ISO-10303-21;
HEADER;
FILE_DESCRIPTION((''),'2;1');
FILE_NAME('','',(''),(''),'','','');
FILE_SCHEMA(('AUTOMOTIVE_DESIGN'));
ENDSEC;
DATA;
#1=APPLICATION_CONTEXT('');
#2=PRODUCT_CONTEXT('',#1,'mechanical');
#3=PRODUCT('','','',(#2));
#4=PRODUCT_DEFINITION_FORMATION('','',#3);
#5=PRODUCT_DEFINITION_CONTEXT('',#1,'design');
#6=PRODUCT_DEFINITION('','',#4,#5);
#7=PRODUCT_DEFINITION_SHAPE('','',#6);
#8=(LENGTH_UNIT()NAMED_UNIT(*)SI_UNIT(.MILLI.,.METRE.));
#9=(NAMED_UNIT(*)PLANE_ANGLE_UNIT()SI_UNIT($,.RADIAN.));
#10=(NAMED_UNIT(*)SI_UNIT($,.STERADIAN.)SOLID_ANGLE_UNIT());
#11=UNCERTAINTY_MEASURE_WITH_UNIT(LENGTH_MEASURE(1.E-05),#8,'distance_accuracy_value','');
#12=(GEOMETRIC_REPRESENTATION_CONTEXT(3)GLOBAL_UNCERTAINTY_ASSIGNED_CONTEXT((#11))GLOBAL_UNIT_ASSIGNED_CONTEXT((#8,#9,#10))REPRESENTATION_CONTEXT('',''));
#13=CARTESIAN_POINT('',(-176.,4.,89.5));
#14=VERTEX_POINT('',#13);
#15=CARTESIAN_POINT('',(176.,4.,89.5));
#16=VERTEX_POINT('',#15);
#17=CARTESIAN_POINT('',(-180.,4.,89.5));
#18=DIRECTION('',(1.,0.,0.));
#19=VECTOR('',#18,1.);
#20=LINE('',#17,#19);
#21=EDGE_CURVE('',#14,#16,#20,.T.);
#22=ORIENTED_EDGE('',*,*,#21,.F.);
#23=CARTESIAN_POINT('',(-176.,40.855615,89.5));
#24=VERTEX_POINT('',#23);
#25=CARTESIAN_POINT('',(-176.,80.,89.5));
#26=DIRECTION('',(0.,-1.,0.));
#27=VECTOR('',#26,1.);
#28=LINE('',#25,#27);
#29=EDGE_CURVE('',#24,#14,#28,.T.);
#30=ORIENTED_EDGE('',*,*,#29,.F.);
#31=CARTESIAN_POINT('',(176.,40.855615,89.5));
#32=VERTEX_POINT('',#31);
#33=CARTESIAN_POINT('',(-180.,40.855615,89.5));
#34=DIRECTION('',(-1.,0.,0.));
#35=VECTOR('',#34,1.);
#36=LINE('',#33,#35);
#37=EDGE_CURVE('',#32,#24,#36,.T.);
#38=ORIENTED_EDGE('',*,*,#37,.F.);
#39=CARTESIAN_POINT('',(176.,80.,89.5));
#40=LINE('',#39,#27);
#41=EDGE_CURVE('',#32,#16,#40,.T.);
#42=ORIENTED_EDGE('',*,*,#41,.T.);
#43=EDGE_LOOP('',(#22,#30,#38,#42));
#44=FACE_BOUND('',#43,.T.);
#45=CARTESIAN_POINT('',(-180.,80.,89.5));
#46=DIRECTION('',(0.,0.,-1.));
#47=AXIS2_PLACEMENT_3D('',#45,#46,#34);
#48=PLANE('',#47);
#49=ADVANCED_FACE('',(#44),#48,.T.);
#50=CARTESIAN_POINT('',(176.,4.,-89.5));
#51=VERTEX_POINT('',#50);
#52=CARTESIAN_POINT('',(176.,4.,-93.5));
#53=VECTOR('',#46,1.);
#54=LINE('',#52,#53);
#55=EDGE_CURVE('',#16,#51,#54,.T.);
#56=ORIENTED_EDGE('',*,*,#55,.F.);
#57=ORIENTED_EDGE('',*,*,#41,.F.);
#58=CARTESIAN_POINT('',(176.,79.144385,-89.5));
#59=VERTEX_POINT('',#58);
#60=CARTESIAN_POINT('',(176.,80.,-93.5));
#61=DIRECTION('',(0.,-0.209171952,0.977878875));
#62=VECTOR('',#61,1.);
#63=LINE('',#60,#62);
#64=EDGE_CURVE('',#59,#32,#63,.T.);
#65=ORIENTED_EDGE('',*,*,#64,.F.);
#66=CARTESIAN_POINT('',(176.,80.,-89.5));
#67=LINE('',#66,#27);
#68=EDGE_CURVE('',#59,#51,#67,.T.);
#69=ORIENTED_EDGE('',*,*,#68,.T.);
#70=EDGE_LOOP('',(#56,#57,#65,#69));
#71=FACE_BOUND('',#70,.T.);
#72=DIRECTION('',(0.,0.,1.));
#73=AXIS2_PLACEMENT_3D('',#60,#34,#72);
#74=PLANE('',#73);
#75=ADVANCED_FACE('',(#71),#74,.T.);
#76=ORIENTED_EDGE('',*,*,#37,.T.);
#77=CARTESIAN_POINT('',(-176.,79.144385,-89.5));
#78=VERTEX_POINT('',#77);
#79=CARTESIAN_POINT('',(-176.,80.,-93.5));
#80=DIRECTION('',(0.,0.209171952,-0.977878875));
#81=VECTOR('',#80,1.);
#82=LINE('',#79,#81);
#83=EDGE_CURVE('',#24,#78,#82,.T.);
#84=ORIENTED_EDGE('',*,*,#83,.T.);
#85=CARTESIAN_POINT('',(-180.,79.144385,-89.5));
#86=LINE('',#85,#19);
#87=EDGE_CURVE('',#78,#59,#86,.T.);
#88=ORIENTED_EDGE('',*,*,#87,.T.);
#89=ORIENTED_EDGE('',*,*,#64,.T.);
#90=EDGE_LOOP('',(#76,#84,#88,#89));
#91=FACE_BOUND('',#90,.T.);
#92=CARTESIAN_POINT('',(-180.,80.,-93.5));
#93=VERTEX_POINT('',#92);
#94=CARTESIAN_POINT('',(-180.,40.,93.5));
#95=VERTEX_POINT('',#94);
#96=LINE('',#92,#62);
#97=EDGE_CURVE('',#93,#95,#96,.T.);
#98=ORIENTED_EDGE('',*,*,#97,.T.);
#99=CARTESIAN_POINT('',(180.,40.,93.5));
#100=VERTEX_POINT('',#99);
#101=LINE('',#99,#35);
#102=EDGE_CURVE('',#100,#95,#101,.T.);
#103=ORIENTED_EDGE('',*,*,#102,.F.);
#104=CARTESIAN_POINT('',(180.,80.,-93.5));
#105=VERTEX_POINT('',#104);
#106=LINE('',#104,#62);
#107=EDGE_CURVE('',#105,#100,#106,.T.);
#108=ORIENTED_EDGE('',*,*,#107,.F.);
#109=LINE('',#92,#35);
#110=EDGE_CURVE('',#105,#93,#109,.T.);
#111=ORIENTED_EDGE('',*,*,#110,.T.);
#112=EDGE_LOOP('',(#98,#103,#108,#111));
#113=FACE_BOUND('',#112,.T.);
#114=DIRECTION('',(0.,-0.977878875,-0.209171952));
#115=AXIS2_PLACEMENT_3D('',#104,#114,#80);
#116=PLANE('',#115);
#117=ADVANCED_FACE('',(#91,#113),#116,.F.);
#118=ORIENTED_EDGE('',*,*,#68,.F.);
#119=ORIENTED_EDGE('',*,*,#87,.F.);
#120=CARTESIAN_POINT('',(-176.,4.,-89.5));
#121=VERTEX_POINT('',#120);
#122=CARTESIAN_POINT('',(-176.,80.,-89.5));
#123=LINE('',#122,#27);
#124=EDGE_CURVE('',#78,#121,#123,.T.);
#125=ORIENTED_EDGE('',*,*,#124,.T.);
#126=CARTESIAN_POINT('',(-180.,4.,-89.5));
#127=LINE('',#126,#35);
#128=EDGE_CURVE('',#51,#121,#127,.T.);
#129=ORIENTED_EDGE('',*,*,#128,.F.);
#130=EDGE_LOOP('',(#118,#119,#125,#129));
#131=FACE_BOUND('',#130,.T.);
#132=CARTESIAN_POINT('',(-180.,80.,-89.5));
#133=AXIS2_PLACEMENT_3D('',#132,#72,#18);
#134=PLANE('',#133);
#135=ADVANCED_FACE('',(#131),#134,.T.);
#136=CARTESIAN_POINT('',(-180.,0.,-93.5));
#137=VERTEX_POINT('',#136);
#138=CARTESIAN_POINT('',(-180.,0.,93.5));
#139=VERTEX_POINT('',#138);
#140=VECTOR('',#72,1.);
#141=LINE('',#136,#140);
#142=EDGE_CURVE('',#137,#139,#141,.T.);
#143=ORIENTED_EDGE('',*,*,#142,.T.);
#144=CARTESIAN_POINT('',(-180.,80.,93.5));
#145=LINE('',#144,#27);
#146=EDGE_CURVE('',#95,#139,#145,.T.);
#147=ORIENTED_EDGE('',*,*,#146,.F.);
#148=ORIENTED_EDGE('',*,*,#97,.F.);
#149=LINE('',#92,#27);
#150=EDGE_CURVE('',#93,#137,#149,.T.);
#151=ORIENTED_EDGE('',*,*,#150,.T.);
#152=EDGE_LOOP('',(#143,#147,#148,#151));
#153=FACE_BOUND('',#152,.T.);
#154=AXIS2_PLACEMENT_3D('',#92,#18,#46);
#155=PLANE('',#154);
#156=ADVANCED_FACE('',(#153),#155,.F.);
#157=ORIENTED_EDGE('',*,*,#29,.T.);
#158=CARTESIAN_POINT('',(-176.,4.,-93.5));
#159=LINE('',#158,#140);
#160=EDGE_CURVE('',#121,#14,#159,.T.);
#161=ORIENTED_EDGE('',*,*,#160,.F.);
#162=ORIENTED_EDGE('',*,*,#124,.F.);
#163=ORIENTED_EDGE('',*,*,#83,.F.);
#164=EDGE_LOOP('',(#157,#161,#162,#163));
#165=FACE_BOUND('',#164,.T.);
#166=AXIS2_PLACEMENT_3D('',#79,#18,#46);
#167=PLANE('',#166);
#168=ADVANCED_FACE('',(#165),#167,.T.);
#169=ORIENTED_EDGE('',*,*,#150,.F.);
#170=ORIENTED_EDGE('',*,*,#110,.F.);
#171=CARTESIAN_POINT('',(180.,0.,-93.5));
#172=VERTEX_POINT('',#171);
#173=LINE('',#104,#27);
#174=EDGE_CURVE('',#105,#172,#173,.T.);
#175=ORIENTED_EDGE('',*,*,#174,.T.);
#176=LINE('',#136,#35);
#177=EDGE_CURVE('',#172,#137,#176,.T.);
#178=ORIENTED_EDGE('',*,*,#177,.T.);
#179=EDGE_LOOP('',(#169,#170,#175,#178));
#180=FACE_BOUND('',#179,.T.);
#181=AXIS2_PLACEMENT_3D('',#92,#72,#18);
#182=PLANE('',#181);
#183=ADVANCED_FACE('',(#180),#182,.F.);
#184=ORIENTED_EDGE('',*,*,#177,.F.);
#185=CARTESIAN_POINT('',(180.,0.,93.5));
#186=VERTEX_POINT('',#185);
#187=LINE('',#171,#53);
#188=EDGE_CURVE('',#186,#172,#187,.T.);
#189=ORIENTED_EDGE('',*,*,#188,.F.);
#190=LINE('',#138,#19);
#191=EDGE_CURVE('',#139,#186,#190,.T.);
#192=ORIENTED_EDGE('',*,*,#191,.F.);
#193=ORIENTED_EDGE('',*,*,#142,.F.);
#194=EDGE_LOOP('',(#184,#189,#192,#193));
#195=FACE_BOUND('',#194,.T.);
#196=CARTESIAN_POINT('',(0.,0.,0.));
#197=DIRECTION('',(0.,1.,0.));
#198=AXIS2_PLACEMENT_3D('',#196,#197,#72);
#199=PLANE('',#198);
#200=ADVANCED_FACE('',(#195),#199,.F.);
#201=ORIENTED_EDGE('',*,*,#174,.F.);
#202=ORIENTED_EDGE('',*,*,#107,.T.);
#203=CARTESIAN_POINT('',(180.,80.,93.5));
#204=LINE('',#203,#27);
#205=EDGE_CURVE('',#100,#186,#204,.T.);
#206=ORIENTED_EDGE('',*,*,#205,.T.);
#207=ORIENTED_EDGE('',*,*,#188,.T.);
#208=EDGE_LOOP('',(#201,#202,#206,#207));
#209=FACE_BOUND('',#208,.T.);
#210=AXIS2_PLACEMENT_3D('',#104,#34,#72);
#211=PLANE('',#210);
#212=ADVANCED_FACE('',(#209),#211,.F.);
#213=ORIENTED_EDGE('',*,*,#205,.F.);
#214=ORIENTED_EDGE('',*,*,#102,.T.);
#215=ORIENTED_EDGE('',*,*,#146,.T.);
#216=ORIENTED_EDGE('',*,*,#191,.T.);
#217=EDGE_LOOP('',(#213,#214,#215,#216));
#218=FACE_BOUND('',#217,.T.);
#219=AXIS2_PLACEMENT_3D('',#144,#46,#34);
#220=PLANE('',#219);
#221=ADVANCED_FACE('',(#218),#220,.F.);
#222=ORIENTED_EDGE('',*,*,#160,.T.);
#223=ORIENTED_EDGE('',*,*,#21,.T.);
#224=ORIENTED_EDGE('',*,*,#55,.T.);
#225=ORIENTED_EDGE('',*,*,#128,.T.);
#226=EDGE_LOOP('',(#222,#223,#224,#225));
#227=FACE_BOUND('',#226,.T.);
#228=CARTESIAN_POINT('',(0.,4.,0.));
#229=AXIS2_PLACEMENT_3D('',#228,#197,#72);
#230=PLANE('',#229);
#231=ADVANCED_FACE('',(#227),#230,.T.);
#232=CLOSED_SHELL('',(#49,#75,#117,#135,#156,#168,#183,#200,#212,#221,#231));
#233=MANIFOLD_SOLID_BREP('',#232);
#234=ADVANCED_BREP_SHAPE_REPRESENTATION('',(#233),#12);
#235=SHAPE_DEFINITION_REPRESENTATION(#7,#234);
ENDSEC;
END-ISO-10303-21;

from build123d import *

# Parameters (mm, degrees)
CROQUIS1_W              = 360
CROQUIS1_H              = 187
SALIENTE_EXTRUIR1_DEPTH = 80
VACIADO1_T              = -4
CORTAR_EXTRUIR1_DEPTH   = 361


with BuildPart() as part:
    # Croquis1 → Saliente-Extruir1 (new body)
    with BuildSketch(Plane(origin=(0, 0, 0), x_dir=(1, 0, 0), z_dir=(0, 1, 0))):
        Rectangle(CROQUIS1_W, CROQUIS1_H)
    extrude(amount=SALIENTE_EXTRUIR1_DEPTH)

    # Vaciado1
    vaciado1_openings = [part.faces().sort_by_distance(p)[0] for p in [
        (0, 80, 0),
    ]]
    offset(amount=VACIADO1_T, openings=vaciado1_openings, kind=Kind.INTERSECTION)

    # Croquis2 → Cortar-Extruir1 (cut, through all)
    with BuildSketch(Plane.ZY.offset(180)):
        Polygon((-93.5, 80), (93.5, 40), (93.5, 80), align=None)
    extrude(amount=-CORTAR_EXTRUIR1_DEPTH, mode=Mode.SUBTRACT)


solid = part.part
